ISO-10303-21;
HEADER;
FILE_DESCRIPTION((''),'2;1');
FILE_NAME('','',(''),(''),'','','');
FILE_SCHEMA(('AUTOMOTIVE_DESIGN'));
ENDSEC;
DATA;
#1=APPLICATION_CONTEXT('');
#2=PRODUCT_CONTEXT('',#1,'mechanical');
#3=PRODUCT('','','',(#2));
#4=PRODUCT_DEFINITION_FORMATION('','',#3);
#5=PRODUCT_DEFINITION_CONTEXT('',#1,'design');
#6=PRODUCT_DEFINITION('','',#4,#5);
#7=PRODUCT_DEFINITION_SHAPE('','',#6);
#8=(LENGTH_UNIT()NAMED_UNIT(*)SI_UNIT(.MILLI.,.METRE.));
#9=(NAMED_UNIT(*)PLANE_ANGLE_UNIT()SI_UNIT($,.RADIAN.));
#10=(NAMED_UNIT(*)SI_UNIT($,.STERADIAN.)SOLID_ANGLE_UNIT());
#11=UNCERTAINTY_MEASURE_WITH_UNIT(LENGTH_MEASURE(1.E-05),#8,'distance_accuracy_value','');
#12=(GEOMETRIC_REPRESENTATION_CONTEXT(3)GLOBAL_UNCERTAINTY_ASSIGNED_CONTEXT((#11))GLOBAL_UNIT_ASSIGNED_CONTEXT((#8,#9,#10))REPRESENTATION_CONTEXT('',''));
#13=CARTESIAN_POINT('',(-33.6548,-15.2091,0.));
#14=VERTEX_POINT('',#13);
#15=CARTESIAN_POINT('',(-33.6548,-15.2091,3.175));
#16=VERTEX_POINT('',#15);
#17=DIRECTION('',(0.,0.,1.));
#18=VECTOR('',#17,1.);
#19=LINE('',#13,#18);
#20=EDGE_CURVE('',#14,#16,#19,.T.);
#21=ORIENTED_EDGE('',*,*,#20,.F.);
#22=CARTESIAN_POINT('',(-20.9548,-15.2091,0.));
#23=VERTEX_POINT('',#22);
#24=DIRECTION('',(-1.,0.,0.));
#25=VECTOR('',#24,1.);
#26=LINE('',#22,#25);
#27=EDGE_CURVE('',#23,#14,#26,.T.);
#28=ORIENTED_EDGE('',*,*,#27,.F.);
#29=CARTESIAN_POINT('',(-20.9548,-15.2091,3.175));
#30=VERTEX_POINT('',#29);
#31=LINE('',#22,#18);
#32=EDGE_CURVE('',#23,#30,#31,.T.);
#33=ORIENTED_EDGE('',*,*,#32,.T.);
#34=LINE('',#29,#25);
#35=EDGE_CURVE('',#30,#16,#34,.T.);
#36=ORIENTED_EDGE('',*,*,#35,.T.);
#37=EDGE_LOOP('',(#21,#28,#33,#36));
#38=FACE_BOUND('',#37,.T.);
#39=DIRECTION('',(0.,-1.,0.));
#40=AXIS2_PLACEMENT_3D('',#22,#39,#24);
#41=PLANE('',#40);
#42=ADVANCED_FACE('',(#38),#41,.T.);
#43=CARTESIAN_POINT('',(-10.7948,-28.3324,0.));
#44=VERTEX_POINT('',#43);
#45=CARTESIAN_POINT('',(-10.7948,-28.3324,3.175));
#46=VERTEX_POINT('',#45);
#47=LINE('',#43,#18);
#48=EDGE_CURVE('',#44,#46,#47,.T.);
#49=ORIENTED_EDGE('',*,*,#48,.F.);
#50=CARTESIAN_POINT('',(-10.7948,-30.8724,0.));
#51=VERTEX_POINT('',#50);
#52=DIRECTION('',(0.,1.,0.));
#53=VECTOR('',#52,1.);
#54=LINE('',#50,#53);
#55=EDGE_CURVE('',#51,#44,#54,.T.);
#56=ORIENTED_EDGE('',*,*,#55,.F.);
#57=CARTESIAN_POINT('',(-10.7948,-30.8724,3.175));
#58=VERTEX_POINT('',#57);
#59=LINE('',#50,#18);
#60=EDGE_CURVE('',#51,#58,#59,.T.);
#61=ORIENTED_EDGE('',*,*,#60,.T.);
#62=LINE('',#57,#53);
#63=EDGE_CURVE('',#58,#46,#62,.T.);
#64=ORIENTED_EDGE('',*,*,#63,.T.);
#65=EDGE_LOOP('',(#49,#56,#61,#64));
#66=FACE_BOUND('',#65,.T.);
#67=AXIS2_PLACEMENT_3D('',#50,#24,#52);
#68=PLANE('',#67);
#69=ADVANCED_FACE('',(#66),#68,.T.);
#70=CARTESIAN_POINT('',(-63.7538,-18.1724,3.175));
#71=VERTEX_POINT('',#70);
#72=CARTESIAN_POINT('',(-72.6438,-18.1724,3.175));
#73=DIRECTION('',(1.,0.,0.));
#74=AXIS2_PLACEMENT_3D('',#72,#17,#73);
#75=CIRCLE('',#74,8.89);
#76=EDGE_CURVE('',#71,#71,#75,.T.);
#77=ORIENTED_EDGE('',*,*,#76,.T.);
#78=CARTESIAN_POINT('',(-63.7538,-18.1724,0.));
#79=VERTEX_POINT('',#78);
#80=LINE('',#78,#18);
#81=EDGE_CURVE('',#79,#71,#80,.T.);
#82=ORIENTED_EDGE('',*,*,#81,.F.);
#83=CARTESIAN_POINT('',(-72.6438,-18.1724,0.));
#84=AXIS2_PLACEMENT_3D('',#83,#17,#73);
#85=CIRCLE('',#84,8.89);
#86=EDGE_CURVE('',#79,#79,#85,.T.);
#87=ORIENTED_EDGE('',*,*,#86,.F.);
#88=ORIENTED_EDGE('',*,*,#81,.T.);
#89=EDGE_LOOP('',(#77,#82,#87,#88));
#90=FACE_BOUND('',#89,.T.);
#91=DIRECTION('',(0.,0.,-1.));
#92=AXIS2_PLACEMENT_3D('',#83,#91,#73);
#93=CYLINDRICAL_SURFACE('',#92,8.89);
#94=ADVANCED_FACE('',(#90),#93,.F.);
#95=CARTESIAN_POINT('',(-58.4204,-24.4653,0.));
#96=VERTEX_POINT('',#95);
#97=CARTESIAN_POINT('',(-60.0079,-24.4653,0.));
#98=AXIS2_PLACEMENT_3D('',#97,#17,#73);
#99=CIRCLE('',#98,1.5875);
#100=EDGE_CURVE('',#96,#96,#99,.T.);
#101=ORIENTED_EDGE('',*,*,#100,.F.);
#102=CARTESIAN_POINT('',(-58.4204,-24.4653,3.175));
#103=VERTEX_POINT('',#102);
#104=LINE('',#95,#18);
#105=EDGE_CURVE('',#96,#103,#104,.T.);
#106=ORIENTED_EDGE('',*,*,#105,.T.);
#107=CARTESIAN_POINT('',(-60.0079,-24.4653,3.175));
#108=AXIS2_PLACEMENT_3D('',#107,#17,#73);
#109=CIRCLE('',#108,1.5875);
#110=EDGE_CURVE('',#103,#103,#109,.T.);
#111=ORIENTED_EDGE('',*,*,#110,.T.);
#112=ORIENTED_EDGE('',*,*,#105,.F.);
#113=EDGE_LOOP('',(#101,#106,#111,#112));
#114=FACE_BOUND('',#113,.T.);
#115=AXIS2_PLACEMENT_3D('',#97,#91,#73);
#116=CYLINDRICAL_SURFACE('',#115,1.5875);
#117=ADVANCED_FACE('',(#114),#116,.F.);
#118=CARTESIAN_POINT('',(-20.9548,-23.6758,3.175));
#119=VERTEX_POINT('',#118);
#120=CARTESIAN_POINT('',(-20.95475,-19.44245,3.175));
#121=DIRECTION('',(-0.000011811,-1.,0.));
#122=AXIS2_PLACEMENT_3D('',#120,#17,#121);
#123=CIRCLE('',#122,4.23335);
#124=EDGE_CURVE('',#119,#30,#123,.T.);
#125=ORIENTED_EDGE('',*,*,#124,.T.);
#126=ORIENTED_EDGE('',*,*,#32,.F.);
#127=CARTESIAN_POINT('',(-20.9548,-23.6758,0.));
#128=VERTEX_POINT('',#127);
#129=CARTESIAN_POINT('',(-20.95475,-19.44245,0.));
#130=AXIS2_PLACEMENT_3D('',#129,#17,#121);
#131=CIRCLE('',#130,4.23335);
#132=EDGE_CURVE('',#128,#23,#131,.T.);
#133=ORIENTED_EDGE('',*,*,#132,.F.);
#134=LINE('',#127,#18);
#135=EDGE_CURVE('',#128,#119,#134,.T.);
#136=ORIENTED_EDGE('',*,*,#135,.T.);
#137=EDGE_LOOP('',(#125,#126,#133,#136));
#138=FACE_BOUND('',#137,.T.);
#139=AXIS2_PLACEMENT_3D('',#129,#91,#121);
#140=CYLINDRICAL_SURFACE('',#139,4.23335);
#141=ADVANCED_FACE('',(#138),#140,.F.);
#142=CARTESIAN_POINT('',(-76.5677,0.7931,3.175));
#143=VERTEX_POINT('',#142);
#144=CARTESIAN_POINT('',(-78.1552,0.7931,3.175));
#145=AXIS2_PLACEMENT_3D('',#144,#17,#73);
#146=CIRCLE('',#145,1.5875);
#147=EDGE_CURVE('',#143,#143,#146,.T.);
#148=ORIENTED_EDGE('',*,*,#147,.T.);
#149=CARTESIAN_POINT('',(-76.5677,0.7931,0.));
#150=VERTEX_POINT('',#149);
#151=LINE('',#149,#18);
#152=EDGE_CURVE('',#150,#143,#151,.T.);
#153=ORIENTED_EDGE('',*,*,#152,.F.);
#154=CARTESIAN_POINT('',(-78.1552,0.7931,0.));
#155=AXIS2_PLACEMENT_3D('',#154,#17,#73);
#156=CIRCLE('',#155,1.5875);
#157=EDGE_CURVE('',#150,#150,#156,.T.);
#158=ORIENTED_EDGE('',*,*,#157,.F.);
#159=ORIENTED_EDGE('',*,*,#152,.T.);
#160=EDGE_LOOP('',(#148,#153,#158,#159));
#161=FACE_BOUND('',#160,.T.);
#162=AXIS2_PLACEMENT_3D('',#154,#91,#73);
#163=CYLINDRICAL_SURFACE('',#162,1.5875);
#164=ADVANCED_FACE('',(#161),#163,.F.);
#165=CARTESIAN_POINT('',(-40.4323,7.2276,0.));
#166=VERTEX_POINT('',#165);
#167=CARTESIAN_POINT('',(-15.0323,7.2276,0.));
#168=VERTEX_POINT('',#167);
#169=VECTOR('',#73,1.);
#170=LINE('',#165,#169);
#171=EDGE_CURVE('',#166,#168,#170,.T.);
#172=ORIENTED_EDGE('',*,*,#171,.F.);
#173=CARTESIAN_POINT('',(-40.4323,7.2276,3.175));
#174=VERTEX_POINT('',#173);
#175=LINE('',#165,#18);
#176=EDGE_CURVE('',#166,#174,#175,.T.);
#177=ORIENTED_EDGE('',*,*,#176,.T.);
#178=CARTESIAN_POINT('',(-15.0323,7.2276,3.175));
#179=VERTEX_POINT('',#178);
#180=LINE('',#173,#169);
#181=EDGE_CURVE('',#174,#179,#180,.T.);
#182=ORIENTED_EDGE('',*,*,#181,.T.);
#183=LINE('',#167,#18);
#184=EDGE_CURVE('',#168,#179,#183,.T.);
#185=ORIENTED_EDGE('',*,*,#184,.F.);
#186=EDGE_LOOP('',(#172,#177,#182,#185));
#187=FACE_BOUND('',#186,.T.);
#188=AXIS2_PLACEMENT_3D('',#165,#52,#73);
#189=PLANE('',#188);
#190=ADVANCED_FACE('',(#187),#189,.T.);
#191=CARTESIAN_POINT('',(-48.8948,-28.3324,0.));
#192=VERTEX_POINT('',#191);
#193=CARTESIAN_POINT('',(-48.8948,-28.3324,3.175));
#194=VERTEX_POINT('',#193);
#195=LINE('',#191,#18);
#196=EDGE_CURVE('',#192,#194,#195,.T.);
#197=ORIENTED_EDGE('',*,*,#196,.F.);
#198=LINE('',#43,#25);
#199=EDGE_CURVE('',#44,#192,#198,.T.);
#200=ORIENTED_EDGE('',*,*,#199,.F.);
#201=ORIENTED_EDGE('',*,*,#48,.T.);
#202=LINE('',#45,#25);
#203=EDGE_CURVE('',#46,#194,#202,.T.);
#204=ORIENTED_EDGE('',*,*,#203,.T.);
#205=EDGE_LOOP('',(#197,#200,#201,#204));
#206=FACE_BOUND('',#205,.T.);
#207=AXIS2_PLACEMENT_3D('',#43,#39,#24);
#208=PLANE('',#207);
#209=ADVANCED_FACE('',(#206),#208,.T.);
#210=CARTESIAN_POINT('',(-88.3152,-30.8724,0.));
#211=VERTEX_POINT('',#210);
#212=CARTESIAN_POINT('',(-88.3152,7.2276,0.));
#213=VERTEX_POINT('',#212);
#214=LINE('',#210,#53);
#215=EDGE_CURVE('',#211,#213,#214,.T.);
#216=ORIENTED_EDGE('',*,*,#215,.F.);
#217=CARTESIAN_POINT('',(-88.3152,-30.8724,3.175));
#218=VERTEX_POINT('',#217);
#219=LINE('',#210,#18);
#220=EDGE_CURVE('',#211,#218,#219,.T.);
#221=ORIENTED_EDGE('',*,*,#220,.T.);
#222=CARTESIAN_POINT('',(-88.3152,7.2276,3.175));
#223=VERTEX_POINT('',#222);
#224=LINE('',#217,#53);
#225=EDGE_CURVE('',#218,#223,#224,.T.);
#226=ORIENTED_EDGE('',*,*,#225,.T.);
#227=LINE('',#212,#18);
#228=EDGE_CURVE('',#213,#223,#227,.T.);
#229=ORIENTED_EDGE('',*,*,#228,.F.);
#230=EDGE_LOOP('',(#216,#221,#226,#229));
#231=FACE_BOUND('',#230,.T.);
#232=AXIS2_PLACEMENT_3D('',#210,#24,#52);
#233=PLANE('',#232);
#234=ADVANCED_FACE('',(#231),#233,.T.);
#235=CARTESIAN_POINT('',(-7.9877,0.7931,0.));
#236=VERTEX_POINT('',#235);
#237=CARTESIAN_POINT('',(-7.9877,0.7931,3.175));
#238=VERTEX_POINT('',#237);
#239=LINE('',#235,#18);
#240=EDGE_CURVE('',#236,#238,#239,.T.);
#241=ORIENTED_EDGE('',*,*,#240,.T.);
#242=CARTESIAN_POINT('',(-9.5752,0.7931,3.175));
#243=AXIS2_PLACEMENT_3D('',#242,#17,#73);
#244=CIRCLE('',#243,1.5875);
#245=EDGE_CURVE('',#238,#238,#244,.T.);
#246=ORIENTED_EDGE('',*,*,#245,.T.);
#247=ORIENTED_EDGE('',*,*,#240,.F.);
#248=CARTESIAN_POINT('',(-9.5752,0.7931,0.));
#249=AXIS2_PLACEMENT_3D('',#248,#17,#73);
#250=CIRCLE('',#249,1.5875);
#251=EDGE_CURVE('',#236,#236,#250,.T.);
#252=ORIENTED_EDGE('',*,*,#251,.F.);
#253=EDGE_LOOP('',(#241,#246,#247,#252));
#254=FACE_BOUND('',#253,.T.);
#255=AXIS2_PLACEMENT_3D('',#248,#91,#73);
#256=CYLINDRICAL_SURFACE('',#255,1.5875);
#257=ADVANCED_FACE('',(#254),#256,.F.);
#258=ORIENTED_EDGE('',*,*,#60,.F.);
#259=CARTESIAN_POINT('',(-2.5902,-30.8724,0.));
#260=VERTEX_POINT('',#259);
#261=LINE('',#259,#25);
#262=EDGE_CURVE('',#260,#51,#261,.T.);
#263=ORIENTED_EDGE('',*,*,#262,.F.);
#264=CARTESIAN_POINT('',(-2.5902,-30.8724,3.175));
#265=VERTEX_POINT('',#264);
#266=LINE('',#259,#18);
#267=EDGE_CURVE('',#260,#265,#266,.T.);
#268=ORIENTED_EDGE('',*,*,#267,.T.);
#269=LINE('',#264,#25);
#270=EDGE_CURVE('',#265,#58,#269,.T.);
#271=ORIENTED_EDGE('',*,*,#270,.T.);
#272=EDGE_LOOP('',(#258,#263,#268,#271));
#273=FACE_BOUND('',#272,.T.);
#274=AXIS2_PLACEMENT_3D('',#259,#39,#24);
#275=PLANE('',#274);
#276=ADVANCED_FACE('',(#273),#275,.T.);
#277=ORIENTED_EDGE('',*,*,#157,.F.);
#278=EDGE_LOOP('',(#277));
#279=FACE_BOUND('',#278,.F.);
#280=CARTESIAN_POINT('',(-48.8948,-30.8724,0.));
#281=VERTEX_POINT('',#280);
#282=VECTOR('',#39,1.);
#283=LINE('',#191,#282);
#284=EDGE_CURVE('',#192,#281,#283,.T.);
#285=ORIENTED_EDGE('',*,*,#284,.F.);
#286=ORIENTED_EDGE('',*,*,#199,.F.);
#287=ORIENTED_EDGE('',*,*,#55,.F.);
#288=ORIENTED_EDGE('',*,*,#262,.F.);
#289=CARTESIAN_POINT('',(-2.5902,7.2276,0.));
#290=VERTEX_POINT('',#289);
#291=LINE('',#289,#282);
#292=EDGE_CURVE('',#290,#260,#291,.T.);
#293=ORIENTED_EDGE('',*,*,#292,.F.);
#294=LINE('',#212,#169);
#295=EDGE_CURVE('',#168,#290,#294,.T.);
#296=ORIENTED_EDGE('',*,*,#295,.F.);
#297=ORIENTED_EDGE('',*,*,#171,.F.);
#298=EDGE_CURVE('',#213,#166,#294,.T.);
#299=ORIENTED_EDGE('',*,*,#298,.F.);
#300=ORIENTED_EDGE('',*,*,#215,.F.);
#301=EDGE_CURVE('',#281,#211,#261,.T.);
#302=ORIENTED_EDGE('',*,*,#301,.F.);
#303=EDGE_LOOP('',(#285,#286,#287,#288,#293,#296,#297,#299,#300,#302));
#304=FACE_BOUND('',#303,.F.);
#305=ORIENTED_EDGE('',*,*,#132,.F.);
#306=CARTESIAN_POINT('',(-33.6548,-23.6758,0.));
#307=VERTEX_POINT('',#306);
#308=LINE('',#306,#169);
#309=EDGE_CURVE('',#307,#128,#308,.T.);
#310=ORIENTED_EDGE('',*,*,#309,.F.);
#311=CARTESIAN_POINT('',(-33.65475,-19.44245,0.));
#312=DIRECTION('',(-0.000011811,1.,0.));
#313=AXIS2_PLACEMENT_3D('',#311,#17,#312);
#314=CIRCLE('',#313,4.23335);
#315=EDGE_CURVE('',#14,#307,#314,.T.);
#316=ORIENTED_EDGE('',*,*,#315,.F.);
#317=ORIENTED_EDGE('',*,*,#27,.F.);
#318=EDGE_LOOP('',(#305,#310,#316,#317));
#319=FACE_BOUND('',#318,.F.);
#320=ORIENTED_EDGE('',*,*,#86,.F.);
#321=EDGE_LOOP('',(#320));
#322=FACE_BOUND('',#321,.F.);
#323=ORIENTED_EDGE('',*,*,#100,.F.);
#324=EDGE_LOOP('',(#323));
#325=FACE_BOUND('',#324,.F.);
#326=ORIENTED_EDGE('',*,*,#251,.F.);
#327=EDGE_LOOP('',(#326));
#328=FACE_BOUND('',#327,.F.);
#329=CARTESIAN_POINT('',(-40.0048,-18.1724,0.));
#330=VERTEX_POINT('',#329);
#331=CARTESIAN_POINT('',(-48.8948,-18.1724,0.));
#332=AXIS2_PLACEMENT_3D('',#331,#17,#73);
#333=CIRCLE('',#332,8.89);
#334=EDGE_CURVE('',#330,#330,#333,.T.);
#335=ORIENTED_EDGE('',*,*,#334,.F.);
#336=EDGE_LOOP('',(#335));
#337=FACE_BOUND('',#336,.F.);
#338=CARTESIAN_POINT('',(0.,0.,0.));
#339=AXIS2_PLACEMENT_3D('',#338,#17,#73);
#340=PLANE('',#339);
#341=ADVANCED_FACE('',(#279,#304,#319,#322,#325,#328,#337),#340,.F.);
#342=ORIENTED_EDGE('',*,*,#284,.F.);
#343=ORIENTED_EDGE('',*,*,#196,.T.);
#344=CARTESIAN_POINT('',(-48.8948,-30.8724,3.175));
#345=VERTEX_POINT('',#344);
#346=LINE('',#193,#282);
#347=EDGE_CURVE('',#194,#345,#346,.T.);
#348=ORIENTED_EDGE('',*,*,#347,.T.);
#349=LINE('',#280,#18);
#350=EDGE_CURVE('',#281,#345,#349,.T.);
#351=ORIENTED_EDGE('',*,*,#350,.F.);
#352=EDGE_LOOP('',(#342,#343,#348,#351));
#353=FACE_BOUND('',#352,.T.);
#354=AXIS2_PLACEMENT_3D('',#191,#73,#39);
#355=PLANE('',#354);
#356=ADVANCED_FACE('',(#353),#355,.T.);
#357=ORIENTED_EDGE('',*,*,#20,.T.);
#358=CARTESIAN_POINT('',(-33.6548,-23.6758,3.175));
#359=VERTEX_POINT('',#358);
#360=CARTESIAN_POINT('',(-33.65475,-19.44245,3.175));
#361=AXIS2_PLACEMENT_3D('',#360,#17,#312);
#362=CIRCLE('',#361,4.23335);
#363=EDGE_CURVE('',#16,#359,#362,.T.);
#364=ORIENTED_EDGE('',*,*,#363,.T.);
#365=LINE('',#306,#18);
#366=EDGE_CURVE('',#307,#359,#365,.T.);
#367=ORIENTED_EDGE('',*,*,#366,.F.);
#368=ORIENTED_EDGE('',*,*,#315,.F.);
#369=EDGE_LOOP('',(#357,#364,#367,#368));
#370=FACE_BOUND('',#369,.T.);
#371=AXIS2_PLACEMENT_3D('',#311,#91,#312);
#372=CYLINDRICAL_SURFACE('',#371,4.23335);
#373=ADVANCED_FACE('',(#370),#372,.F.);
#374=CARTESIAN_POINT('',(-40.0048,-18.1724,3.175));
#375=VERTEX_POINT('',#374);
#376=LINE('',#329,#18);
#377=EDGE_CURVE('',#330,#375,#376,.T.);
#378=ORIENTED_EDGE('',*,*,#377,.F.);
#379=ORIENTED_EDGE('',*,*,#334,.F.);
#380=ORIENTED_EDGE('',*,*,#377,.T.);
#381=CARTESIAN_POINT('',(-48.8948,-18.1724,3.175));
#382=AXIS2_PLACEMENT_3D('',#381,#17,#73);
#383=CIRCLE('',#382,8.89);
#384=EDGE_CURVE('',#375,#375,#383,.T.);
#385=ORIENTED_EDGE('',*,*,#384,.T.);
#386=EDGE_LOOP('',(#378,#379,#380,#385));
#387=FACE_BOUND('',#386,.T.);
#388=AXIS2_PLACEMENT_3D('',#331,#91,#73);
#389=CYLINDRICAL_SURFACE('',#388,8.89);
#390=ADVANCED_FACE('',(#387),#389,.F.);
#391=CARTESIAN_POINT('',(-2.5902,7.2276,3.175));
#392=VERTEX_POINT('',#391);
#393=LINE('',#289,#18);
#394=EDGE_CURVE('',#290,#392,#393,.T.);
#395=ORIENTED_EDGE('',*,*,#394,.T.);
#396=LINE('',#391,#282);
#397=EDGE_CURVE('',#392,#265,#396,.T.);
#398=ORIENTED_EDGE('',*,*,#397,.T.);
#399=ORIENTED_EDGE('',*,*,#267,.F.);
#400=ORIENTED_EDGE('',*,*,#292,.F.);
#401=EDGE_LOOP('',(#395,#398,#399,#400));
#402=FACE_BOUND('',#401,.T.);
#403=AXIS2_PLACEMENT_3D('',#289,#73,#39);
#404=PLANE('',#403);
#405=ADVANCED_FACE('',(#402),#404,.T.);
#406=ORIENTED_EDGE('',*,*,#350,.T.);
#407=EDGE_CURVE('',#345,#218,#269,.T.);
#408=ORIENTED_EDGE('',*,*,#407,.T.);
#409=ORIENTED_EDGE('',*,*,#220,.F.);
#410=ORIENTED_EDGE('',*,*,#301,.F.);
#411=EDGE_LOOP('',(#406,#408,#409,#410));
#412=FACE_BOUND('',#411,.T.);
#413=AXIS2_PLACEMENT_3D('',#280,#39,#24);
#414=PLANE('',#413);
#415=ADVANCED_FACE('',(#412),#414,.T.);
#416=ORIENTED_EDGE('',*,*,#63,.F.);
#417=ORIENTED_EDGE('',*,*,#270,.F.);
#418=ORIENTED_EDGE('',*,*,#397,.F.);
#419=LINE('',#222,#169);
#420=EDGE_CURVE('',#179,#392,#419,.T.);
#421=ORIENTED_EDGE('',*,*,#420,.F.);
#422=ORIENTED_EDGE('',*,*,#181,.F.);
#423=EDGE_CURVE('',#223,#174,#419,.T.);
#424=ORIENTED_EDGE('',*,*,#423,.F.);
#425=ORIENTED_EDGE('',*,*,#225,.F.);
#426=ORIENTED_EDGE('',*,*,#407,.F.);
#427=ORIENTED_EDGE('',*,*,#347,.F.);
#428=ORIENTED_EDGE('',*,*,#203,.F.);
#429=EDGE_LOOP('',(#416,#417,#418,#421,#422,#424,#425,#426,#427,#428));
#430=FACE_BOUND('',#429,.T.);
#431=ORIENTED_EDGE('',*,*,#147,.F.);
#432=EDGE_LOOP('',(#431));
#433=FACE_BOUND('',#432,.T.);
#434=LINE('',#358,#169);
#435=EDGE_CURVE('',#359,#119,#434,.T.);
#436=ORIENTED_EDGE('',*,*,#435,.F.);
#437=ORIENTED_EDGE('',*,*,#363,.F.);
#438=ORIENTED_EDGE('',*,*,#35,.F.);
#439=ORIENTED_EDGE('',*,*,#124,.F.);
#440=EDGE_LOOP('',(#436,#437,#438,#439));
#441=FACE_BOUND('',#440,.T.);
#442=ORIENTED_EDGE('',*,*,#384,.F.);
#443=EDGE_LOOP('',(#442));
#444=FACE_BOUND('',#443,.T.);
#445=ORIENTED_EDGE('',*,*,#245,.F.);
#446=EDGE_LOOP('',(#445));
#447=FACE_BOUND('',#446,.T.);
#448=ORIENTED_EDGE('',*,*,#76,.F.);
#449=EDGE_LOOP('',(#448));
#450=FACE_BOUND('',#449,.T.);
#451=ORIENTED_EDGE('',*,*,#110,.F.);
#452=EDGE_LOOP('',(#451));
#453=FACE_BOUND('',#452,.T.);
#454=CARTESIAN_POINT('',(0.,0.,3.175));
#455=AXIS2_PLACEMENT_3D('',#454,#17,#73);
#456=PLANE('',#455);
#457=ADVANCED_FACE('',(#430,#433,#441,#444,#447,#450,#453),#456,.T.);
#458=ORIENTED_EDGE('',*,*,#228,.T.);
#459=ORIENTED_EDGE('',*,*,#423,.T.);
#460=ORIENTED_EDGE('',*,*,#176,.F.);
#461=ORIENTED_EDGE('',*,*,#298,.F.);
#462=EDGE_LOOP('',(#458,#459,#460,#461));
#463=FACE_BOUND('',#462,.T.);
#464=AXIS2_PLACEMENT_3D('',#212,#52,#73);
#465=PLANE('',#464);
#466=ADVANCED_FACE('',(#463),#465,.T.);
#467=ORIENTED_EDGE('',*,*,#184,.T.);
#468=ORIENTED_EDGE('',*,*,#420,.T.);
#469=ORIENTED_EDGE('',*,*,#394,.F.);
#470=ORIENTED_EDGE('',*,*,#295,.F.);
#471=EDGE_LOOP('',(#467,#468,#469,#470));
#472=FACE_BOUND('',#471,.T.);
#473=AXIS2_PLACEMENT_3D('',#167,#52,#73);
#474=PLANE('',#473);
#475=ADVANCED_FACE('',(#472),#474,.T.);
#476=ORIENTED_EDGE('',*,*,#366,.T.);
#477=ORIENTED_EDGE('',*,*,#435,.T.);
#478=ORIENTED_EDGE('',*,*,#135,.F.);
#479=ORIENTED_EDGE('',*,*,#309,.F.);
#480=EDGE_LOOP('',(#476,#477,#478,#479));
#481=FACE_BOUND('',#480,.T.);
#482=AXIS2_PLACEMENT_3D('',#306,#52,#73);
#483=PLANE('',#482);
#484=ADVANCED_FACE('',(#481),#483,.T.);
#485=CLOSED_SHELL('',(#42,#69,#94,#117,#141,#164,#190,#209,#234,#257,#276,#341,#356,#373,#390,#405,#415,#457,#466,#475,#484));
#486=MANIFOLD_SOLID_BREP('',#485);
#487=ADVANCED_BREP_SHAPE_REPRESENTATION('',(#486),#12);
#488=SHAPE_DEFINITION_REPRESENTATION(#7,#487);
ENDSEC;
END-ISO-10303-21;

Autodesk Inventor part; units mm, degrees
ref_plane "YZ Plane" through (0, 0, 0) normal (1, 0, 0) x (0, 1, 0)
ref_plane "XZ Plane" through (0, 0, 0) normal (0, 1, 0) x (-1, 0, 0)
ref_plane "XY Plane" through (0, 0, 0) normal (0, 0, 1) x (1, 0, 0)
sketch "Sketch1" plane through (0, 0, 0) normal (0, 0, 1) x (1, 0, 0)
  line L0 (-88.3152, 7.2276) -> (-2.5902, 7.2276)
  line L1 (-2.5902, 7.2276) -> (-2.5902, -30.8724)
  line L2 (-2.5902, -30.8724) -> (-88.3152, -30.8724)
  line L3 (-88.3152, -30.8724) -> (-88.3152, 7.2276)
  circle A0 centre (-78.1552, 0.7931) radius 1.5875
  circle A1 centre (-60.0079, -24.4653) radius 1.5875
  circle A2 centre (-9.5752, 0.7931) radius 1.5875
  circle A3 centre (-72.6438, -18.1724) radius 8.89
  circle A4 centre (-48.8948, -18.1724) radius 8.89
  line L4 (-33.6548, -19.4424) -> (-20.9548, -19.4424) construction
  line L5 (-33.6548, -23.6758) -> (-20.9548, -23.6758)
  line L6 (-20.9548, -15.2091) -> (-33.6548, -15.2091)
  arc A5 (-33.6548, -15.2091) -> (-33.6548, -23.6758) centre (-33.6548, -19.4424) ccw
  arc A6 (-20.9548, -23.6758) -> (-20.9548, -15.2091) centre (-20.9548, -19.4424) ccw
  line L7 (-40.4323, 7.2276) -> (-15.0323, 7.2276)
  line L8 (-48.8948, -30.8724) -> (-10.7948, -30.8724)
  line L9 (-10.7948, -30.8724) -> (-10.7948, -28.3324)
  line L10 (-10.7948, -28.3324) -> (-48.8948, -28.3324)
  line L11 (-48.8948, -28.3324) -> (-48.8948, -30.8724)
  point P0 (0, 0)
  point P1 (-27.3048, -19.4424)
  dimension "d2" = 85.725
  dimension "d3" = 38.1
  dimension "d4" = 3.175
  dimension "d5" = 3.175
  dimension "d6" = 3.175
  dimension "d9" = 17.78
  dimension "d10" = 17.78
  dimension "d11" = 12.7
  dimension "d12" = 12.7
  dimension "d13" = 23.749
  dimension "d18" = 6.4345
  dimension "d19" = 6.4345
  dimension "d20" = 68.58
  dimension "d21" = 6.4071
  dimension "d22" = 11.1131
  dimension "d23" = 5.5114
  dimension "d24" = 11.43
  dimension "d25" = 12.7
  dimension "d26" = 15.24
  dimension "d30" = 4.2333
  dimension "d31" = 2.54
  dimension "d32" = 38.1
  dimension "d33" = 0
  dimension "d34" = 10.16
extrude "Extrusion1" add sketch "Sketch1" along normal blind 3.175 contours L0 L1 L2 L9 L10 L11 L3
properties part number "Yagi_Injector_Wall"
